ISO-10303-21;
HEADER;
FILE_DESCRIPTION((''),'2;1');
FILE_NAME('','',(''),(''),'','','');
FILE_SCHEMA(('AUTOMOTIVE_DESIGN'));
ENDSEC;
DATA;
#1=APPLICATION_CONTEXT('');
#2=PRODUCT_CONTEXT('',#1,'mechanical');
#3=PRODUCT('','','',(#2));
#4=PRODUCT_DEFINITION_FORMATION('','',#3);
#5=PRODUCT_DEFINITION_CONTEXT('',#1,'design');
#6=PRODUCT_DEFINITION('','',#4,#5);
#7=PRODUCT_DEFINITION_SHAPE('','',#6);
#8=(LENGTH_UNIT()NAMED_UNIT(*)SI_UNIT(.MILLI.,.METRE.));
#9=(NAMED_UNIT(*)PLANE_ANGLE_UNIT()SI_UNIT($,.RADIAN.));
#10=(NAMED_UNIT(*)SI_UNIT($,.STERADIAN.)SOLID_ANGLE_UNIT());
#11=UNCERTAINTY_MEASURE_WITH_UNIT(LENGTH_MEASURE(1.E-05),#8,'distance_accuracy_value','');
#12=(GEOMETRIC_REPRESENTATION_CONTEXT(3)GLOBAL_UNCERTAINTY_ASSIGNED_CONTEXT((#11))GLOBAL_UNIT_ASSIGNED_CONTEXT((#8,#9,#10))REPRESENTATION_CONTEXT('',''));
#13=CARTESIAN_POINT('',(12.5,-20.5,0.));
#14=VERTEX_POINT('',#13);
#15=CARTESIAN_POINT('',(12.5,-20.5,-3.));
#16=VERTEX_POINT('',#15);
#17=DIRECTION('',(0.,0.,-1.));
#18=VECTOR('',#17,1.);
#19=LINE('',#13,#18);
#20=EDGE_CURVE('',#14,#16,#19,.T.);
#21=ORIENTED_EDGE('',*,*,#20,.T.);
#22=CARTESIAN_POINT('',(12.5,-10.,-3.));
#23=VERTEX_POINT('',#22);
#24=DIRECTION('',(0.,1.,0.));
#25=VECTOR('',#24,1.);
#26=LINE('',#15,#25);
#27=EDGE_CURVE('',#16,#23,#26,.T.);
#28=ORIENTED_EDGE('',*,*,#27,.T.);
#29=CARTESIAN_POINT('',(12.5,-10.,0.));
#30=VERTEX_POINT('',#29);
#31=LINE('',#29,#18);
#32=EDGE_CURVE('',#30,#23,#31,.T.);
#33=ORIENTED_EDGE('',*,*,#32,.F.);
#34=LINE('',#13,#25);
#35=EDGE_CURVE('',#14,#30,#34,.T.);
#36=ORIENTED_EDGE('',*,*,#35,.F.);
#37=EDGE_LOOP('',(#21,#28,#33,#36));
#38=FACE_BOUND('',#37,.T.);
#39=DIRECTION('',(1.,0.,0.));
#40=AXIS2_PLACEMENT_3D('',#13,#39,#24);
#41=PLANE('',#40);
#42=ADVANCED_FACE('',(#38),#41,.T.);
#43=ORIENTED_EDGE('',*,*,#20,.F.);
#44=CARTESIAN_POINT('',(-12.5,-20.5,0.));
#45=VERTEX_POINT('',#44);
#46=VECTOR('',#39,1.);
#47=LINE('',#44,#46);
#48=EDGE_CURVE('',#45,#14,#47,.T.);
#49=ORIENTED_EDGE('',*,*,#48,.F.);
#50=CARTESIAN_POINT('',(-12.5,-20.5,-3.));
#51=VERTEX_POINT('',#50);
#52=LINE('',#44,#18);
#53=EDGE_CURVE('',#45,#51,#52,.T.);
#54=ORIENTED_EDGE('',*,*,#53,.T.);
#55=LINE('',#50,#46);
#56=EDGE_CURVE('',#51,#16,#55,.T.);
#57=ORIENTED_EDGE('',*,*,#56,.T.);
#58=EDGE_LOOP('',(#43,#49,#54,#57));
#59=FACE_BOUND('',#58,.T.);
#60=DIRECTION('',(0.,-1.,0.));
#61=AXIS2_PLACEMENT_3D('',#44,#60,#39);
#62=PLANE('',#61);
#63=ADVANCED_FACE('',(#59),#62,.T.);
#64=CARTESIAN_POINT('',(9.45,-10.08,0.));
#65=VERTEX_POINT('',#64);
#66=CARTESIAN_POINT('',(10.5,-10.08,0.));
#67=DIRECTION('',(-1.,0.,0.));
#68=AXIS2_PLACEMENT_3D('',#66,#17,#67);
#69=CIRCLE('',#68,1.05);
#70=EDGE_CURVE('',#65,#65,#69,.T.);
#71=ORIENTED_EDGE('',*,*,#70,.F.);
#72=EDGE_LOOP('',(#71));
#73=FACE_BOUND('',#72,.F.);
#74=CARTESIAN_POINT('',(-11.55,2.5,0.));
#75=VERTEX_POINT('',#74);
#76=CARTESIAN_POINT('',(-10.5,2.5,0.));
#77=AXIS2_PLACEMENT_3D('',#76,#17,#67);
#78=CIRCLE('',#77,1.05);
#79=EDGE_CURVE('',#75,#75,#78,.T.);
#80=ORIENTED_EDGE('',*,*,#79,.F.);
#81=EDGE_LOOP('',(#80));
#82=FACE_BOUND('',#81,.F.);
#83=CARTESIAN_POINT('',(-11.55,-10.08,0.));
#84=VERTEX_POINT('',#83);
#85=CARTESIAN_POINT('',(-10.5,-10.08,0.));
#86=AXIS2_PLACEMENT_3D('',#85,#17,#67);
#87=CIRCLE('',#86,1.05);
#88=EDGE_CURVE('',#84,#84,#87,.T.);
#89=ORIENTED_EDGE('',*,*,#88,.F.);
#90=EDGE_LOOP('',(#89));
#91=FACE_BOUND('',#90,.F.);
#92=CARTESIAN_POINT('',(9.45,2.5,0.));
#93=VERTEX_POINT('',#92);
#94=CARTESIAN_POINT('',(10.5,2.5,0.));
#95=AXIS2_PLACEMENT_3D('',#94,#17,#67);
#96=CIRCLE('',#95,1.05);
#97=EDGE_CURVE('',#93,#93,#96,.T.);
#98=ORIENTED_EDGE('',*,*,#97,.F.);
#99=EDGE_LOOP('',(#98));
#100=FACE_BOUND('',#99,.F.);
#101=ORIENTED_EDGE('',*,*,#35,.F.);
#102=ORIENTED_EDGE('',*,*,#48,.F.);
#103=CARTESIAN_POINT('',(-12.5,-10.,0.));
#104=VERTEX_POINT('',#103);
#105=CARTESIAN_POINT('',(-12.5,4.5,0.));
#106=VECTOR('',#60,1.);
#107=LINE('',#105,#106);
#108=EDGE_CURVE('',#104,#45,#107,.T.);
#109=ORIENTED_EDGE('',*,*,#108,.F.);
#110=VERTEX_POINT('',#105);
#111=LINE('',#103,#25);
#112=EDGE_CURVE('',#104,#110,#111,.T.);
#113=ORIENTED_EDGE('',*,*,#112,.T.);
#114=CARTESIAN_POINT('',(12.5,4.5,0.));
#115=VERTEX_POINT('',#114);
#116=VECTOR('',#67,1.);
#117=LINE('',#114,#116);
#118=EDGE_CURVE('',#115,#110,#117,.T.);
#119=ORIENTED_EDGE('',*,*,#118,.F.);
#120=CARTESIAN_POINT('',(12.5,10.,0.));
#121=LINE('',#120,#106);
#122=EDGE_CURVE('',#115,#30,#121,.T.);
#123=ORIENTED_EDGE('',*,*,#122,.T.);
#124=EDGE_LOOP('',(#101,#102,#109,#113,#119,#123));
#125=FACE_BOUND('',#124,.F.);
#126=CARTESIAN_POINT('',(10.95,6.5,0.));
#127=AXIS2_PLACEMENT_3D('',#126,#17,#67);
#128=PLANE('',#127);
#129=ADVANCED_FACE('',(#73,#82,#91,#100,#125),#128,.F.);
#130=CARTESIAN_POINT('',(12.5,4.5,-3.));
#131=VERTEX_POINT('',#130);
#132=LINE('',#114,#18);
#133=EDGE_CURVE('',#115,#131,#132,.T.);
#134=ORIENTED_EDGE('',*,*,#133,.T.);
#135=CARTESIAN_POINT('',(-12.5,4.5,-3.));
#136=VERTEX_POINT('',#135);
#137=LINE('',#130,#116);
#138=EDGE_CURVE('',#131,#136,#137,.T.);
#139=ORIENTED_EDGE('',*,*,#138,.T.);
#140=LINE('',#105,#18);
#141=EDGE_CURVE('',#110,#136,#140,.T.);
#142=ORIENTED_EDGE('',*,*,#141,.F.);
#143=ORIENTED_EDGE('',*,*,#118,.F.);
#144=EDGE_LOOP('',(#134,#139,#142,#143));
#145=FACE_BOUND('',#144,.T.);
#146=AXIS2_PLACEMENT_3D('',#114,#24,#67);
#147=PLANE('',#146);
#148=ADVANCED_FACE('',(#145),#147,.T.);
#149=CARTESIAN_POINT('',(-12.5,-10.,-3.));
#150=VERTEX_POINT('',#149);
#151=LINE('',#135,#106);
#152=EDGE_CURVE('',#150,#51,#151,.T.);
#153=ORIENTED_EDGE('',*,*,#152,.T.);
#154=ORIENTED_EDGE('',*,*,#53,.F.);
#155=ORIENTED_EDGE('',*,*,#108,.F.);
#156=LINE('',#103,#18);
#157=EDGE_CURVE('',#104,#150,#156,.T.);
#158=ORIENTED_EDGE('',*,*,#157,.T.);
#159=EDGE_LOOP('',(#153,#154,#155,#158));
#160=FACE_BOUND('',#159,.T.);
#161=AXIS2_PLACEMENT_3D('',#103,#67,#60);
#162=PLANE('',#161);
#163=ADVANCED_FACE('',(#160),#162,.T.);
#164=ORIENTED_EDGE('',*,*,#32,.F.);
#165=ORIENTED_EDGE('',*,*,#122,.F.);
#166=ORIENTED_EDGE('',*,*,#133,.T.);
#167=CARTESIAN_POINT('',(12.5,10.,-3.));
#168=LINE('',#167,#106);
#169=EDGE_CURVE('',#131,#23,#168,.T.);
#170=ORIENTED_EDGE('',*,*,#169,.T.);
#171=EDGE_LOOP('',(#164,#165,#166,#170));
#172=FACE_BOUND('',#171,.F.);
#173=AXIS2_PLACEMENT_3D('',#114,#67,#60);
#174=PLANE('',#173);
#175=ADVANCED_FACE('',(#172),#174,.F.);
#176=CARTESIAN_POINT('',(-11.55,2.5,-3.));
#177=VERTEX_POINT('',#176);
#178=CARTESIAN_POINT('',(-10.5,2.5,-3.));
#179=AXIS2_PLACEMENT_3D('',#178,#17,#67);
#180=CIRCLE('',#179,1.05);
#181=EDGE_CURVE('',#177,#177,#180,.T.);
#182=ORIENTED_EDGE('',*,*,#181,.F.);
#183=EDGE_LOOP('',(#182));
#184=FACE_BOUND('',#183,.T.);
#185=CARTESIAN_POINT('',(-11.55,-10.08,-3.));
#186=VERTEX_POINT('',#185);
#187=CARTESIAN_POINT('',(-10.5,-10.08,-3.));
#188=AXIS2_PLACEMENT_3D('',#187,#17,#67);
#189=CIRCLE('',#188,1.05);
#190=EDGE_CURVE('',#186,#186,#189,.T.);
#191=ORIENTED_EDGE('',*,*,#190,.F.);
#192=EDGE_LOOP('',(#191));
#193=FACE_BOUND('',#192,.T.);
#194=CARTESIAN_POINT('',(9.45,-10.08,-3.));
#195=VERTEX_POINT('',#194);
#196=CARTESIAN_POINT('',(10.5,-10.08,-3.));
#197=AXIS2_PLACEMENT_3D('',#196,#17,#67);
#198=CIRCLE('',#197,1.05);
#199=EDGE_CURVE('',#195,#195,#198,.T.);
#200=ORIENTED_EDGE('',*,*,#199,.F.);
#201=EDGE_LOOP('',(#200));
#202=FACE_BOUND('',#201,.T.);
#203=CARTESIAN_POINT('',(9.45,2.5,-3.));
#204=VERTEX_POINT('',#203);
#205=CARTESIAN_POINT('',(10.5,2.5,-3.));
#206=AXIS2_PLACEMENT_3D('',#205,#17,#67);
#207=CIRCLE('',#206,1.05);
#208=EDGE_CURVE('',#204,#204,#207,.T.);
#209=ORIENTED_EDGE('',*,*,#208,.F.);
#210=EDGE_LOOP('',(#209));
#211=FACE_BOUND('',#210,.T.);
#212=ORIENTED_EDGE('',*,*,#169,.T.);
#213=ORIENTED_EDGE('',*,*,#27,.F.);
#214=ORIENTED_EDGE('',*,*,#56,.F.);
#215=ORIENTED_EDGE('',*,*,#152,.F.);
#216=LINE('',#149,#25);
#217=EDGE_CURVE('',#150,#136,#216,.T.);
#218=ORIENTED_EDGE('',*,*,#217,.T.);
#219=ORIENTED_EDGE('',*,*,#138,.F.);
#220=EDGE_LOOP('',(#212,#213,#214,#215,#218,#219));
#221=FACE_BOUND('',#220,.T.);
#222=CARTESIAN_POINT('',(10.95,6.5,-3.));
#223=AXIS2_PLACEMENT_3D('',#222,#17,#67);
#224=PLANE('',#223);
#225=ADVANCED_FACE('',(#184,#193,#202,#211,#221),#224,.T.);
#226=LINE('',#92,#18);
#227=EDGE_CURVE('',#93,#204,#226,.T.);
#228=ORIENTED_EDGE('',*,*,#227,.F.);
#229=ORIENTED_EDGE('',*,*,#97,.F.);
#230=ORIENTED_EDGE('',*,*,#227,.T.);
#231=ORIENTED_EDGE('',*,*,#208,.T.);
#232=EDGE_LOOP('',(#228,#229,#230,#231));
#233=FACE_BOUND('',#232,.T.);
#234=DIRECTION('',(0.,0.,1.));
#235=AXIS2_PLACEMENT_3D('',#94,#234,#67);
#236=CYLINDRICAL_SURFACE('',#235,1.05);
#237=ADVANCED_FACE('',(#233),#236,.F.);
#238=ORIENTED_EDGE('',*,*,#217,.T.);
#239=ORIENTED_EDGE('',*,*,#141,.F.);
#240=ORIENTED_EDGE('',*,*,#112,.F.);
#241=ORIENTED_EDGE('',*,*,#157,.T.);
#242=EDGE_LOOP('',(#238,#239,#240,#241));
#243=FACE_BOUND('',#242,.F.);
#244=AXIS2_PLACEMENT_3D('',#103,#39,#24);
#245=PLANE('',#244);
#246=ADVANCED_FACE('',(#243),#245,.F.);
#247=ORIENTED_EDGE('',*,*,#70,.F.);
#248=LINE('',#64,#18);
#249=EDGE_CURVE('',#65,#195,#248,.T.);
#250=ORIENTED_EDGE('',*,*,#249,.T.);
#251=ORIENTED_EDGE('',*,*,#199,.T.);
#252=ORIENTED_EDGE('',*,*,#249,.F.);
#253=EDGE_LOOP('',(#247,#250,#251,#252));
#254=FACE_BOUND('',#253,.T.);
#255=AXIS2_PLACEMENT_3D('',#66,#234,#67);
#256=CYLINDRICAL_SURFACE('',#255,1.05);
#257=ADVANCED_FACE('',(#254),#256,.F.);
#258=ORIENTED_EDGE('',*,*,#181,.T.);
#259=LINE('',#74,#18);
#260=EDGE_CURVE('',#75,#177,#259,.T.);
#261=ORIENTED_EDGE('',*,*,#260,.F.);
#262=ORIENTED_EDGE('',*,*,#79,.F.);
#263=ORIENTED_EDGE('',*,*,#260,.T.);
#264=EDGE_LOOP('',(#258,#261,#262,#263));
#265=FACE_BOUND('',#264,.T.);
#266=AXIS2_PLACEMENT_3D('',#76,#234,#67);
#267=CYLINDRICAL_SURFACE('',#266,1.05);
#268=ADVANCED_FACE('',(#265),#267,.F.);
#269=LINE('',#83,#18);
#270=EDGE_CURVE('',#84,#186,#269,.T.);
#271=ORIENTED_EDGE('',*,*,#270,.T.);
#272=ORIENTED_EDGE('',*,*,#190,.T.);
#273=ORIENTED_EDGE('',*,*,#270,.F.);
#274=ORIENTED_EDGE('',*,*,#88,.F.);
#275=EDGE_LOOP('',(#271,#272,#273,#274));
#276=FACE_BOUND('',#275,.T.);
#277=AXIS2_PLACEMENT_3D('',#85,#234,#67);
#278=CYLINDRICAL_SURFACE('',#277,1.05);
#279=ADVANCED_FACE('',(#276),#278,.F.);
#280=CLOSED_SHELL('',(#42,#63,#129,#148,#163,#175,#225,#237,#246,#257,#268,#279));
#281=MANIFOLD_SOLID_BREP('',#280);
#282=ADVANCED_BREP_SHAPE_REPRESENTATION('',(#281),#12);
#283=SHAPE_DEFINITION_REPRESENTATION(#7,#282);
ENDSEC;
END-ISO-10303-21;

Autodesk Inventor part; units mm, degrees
ref_plane "YZ Plane" through (0, 0, 0) normal (1, 0, 0) x (0, 1, 0)
ref_plane "XZ Plane" through (0, 0, 0) normal (0, 1, 0) x (-1, 0, 0)
ref_plane "Plano de trabajo1" through (10.95, 6.5, 0) normal (0, 0, -1) x (-1, 0, 0)
sketch "Boceto1" plane through (10.95, 6.5, 0) normal (0, 0, -1) x (-1, 0, 0)
  circle A0 centre (0.45, -4) radius 1.05 projected
  circle A1 centre (21.45, -4) radius 1.05 projected
  circle A2 centre (21.45, -16.58) radius 1.05 projected
  circle A3 centre (0.45, -16.58) radius 1.05 projected
  line L0 (-1.55, 3.5) -> (-1.55, -16.5) projected
  line L1 (0.45, -18.5) -> (21.45, -18.5) projected
  line L2 (23.45, -16.5) -> (23.45, 3.5) projected
  line L3 (-1.55, -2) -> (23.45, -2)
  line L4 (23.45, -2) -> (23.45, -27)
  line L5 (23.45, -27) -> (-1.55, -27)
  line L6 (-1.55, -27) -> (-1.55, -2)
  circle A4 centre (0.45, -4) radius 1.05
  circle A5 centre (21.45, -4) radius 1.05
  circle A6 centre (0.45, -16.58) radius 1.05
  circle A7 centre (21.45, -16.58) radius 1.05
  point P0 (10.95, -6.5)
  point P1 (0, 0)
  dimension "d1" = 2
  dimension "d3" = 25
extrude "Extrusión1" add sketch "Boceto1" along normal blind 3
properties part number "RPi_Camera_V2.1"
